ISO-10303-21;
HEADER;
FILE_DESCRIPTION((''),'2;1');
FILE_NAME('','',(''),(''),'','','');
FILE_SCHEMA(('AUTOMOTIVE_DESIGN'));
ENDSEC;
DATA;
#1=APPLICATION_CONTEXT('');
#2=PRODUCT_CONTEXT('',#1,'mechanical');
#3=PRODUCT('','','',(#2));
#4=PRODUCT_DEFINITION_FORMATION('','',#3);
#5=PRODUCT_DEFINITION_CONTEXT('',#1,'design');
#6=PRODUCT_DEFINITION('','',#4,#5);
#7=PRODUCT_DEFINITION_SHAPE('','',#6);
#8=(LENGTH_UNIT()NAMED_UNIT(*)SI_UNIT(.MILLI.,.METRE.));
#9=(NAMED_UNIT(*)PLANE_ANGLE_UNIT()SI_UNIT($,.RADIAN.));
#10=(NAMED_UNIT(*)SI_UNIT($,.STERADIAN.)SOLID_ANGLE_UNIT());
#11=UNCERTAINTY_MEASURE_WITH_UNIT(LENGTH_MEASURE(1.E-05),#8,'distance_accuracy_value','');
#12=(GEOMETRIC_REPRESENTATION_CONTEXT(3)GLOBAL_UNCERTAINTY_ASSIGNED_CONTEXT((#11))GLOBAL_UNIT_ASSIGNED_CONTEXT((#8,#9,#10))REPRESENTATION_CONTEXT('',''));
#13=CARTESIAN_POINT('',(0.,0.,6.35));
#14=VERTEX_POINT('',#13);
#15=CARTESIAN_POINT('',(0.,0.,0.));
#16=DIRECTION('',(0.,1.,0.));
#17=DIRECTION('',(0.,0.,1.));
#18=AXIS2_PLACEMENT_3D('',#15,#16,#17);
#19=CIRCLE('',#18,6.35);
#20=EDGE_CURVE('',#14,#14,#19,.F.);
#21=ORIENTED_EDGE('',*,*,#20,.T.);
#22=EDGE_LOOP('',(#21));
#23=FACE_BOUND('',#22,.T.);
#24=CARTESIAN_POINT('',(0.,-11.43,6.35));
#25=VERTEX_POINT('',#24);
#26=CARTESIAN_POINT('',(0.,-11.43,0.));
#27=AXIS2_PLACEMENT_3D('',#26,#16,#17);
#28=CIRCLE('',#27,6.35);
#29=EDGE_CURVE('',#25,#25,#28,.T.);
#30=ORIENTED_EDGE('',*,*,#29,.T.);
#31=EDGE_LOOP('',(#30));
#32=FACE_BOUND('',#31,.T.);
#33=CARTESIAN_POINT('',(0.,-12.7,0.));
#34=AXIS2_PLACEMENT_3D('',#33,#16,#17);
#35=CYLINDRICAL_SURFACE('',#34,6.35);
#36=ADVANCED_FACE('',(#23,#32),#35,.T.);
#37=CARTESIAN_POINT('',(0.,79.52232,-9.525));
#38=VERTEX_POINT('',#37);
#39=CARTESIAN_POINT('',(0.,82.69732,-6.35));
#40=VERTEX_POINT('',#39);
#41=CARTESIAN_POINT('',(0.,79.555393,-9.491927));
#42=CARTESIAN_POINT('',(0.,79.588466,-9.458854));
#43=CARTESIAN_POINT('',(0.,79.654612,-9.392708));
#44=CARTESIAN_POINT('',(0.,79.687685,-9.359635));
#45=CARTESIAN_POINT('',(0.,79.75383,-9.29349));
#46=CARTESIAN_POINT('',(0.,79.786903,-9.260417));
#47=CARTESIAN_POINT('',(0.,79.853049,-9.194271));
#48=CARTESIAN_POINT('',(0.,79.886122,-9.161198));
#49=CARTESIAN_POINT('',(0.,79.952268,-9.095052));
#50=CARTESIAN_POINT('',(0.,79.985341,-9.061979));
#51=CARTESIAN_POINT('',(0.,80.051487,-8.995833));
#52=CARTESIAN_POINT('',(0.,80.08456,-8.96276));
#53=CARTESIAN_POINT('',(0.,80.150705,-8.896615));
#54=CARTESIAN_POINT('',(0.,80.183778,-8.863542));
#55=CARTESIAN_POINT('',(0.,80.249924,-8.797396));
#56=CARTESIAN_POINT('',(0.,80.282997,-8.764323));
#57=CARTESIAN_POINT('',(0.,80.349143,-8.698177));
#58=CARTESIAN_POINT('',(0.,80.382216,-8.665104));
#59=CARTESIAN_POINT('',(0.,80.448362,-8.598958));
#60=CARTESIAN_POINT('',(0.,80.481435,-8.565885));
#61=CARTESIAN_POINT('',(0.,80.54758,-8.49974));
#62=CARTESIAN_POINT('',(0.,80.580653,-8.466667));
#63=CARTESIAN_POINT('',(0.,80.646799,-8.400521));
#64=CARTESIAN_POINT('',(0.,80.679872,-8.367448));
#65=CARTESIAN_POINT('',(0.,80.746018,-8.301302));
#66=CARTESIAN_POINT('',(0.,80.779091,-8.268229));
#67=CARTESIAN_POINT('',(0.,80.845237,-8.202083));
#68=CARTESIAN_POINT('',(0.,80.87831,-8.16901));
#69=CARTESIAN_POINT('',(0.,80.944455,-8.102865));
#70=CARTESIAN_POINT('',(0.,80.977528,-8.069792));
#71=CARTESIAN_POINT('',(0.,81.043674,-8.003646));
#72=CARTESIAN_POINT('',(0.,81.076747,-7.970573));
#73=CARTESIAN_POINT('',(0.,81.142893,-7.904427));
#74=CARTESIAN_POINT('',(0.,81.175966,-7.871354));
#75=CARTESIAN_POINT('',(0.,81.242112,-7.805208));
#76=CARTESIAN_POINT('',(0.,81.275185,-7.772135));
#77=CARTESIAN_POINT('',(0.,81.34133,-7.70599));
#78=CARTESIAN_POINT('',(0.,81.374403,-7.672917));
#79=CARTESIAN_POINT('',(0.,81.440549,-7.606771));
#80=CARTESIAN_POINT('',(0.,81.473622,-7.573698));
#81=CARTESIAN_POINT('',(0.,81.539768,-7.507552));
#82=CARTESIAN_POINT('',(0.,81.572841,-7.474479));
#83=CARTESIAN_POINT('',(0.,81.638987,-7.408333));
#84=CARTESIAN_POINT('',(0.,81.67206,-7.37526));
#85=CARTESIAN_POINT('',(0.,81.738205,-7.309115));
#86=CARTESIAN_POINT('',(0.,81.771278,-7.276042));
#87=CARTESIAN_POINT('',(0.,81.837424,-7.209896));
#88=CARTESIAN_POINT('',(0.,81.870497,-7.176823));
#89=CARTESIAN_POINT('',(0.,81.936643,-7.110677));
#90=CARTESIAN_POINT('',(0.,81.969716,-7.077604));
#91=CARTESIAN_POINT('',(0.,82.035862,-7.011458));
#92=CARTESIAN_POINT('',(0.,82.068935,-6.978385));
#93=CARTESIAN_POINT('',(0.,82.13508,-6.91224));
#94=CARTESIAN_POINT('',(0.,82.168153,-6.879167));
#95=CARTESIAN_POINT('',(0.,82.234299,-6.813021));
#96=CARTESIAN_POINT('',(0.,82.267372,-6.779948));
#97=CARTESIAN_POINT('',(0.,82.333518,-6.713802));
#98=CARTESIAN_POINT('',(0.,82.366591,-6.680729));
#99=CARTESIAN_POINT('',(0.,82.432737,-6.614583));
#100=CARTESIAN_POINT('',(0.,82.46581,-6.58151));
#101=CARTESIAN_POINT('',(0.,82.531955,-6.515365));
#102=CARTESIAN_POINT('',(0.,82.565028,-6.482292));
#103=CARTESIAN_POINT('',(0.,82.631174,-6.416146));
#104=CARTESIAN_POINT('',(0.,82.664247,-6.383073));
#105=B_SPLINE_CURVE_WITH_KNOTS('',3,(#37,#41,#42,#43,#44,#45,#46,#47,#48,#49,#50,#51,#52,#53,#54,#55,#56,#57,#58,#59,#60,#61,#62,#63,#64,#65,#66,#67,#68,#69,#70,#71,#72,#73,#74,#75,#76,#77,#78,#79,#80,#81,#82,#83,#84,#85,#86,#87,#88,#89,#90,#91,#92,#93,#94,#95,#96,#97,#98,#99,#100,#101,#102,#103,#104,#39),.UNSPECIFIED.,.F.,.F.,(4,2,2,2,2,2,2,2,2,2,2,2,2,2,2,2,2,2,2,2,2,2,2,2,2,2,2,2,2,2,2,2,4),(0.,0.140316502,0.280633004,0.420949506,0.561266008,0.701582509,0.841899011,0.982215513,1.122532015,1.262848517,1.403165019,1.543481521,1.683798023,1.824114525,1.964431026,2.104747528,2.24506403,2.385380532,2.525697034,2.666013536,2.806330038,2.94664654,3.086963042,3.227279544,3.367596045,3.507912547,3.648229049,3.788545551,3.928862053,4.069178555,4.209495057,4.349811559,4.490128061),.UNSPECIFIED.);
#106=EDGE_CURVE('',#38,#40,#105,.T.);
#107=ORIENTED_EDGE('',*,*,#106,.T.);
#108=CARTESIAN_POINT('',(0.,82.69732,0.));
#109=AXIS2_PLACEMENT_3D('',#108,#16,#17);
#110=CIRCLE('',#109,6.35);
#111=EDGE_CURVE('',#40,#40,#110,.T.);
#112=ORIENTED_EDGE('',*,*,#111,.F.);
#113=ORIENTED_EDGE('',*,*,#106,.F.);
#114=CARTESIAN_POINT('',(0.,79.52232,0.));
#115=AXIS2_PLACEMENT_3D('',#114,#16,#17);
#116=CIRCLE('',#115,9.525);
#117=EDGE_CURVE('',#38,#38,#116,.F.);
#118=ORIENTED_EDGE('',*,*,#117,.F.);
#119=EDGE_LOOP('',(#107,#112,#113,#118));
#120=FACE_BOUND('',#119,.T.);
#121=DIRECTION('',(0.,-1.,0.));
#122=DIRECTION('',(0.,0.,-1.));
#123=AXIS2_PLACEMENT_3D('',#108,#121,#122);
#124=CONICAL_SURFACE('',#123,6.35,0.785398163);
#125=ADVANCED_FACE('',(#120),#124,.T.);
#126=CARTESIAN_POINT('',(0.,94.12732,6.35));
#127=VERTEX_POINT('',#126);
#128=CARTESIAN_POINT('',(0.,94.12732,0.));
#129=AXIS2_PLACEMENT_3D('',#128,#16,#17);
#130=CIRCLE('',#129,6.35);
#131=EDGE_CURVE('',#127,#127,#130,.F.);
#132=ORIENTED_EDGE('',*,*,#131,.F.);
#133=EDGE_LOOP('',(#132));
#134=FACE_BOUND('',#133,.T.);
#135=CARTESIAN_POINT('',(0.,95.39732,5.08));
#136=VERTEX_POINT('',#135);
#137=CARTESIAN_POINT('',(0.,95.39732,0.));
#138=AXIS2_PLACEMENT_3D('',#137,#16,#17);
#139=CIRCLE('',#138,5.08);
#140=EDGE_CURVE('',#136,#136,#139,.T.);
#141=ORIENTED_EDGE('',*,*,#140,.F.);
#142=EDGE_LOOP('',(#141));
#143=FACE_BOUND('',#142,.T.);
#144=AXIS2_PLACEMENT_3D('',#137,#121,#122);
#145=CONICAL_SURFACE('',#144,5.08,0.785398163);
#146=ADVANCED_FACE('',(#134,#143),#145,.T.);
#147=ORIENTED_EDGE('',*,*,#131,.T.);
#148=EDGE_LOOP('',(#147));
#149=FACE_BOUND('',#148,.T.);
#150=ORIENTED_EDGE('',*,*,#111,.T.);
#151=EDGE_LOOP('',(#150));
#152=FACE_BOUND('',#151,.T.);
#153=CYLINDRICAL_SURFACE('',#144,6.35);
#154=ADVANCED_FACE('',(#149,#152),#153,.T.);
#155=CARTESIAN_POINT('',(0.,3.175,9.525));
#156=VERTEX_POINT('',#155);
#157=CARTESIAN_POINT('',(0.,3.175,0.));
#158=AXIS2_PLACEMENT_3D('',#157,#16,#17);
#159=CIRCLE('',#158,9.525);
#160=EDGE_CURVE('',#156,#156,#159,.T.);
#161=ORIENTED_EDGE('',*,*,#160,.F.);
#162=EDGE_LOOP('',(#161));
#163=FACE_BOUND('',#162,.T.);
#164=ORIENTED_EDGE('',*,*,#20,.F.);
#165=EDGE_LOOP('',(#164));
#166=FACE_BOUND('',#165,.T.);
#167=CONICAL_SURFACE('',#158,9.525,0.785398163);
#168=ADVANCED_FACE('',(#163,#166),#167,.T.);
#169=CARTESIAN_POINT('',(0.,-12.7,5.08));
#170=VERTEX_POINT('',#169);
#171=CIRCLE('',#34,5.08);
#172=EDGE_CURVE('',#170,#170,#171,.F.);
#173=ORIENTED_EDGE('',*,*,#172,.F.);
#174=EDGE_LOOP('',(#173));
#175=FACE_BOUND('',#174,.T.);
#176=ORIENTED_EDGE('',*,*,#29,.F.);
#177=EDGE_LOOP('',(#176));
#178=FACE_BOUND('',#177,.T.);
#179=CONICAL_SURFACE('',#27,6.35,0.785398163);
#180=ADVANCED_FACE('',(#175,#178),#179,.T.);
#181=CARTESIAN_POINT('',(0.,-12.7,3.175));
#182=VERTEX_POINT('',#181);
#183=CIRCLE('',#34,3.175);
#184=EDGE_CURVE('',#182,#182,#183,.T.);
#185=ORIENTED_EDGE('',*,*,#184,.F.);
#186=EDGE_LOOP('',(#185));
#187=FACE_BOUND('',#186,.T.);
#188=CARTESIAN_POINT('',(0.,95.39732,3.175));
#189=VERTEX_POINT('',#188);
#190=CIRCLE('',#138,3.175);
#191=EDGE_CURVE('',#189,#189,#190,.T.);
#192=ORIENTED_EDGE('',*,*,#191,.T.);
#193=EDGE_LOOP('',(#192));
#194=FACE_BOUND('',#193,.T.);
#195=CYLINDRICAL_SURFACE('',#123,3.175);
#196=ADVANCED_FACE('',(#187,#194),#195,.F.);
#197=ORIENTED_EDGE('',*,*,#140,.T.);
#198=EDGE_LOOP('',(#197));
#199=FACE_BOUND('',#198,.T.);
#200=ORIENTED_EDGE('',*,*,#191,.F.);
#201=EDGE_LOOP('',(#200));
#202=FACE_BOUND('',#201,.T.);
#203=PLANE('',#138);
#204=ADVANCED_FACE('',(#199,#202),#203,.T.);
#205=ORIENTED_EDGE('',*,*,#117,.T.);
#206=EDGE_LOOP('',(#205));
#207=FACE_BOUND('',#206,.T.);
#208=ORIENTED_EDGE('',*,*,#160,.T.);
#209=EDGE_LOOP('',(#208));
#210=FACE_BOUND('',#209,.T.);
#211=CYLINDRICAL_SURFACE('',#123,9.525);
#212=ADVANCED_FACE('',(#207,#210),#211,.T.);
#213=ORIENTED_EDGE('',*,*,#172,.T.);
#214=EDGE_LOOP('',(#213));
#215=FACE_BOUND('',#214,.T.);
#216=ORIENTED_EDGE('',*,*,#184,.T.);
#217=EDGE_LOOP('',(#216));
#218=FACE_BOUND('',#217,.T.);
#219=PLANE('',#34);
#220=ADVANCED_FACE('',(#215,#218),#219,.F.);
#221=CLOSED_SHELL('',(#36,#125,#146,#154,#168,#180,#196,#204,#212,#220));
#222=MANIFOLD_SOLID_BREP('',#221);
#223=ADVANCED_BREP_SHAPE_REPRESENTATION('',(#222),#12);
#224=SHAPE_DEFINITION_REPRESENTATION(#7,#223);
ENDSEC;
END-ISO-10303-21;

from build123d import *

# Parameters (mm, degrees)
SKETCH1_R           = 9.525
SKETCH1_R_2         = 3.175
SKETCH1_R_3         = 6.35
BOSS_EXTRUDE1_DEPTH = 82.69732
CHAMFER1_SIZE       = 3.175
BOSS_EXTRUDE2_START = -12.7
SKETCH1_3_R         = 6.35
SKETCH1_3_R_2       = 3.175
BOSS_EXTRUDE2_DEPTH = 12.7
BOSS_EXTRUDE3_START = 82.69732
SKETCH1_4_R         = 6.35
SKETCH1_4_R_2       = 3.175
BOSS_EXTRUDE3_DEPTH = 12.7
CHAMFER2_SIZE       = 1.27


with BuildPart() as part:
    # Sketch1 → Boss-Extrude1 (new body)
    # profile 1 of 2: a face of its own
    with BuildSketch(Plane(origin=(0, 0, 0), x_dir=(1, 0, 0), z_dir=(0, 1, 0))):
        with Locations(Location((0, 0, 0), (0, 0, 270))):
            Circle(SKETCH1_R)
        with Locations(Location((0, 0, 0), (0, 0, 270))):
            Circle(SKETCH1_R_2, mode=Mode.SUBTRACT)
    # profile 2 of 2: a face of its own
    with BuildSketch(Plane(origin=(0, 0, 0), x_dir=(1, 0, 0), z_dir=(0, 1, 0))):
        Circle(SKETCH1_R_3)
        with Locations(Location((0, 0, 0), (0, 0, 270))):
            Circle(SKETCH1_R_2, mode=Mode.SUBTRACT)
    extrude(amount=BOSS_EXTRUDE1_DEPTH)

    # Chamfer1
    chamfer1_edges = [part.edges().sort_by_distance(p)[0] for p in [
        (0, 0, -9.525),
        (0, 82.69732, -9.525),
    ]]
    chamfer(chamfer1_edges, length=CHAMFER1_SIZE)

    # Sketch1<3> → Boss-Extrude2 (add)
    with BuildSketch(Plane(origin=(0, 0, 0), x_dir=(1, 0, 0), z_dir=(0, 1, 0)).offset(BOSS_EXTRUDE2_START)):
        with Locations(Location((0, 0, 0), (0, 0, 270))):
            Circle(SKETCH1_3_R)
        with Locations(Location((0, 0, 0), (0, 0, 270))):
            Circle(SKETCH1_3_R_2, mode=Mode.SUBTRACT)
    extrude(amount=BOSS_EXTRUDE2_DEPTH)

    # Sketch1<4> → Boss-Extrude3 (add)
    with BuildSketch(Plane(origin=(0, 0, 0), x_dir=(1, 0, 0), z_dir=(0, 1, 0)).offset(BOSS_EXTRUDE3_START)):
        with Locations(Location((0, 0, 0), (0, 0, 270))):
            Circle(SKETCH1_4_R)
        with Locations(Location((0, 0, 0), (0, 0, 270))):
            Circle(SKETCH1_4_R_2, mode=Mode.SUBTRACT)
    extrude(amount=BOSS_EXTRUDE3_DEPTH)

    # Chamfer2
    chamfer2_edges = [part.edges().sort_by_distance(p)[0] for p in [
        (0, -12.7, -6.35),
        (0, 95.39732, -6.35),
    ]]
    chamfer(chamfer2_edges, length=CHAMFER2_SIZE)


solid = part.part
